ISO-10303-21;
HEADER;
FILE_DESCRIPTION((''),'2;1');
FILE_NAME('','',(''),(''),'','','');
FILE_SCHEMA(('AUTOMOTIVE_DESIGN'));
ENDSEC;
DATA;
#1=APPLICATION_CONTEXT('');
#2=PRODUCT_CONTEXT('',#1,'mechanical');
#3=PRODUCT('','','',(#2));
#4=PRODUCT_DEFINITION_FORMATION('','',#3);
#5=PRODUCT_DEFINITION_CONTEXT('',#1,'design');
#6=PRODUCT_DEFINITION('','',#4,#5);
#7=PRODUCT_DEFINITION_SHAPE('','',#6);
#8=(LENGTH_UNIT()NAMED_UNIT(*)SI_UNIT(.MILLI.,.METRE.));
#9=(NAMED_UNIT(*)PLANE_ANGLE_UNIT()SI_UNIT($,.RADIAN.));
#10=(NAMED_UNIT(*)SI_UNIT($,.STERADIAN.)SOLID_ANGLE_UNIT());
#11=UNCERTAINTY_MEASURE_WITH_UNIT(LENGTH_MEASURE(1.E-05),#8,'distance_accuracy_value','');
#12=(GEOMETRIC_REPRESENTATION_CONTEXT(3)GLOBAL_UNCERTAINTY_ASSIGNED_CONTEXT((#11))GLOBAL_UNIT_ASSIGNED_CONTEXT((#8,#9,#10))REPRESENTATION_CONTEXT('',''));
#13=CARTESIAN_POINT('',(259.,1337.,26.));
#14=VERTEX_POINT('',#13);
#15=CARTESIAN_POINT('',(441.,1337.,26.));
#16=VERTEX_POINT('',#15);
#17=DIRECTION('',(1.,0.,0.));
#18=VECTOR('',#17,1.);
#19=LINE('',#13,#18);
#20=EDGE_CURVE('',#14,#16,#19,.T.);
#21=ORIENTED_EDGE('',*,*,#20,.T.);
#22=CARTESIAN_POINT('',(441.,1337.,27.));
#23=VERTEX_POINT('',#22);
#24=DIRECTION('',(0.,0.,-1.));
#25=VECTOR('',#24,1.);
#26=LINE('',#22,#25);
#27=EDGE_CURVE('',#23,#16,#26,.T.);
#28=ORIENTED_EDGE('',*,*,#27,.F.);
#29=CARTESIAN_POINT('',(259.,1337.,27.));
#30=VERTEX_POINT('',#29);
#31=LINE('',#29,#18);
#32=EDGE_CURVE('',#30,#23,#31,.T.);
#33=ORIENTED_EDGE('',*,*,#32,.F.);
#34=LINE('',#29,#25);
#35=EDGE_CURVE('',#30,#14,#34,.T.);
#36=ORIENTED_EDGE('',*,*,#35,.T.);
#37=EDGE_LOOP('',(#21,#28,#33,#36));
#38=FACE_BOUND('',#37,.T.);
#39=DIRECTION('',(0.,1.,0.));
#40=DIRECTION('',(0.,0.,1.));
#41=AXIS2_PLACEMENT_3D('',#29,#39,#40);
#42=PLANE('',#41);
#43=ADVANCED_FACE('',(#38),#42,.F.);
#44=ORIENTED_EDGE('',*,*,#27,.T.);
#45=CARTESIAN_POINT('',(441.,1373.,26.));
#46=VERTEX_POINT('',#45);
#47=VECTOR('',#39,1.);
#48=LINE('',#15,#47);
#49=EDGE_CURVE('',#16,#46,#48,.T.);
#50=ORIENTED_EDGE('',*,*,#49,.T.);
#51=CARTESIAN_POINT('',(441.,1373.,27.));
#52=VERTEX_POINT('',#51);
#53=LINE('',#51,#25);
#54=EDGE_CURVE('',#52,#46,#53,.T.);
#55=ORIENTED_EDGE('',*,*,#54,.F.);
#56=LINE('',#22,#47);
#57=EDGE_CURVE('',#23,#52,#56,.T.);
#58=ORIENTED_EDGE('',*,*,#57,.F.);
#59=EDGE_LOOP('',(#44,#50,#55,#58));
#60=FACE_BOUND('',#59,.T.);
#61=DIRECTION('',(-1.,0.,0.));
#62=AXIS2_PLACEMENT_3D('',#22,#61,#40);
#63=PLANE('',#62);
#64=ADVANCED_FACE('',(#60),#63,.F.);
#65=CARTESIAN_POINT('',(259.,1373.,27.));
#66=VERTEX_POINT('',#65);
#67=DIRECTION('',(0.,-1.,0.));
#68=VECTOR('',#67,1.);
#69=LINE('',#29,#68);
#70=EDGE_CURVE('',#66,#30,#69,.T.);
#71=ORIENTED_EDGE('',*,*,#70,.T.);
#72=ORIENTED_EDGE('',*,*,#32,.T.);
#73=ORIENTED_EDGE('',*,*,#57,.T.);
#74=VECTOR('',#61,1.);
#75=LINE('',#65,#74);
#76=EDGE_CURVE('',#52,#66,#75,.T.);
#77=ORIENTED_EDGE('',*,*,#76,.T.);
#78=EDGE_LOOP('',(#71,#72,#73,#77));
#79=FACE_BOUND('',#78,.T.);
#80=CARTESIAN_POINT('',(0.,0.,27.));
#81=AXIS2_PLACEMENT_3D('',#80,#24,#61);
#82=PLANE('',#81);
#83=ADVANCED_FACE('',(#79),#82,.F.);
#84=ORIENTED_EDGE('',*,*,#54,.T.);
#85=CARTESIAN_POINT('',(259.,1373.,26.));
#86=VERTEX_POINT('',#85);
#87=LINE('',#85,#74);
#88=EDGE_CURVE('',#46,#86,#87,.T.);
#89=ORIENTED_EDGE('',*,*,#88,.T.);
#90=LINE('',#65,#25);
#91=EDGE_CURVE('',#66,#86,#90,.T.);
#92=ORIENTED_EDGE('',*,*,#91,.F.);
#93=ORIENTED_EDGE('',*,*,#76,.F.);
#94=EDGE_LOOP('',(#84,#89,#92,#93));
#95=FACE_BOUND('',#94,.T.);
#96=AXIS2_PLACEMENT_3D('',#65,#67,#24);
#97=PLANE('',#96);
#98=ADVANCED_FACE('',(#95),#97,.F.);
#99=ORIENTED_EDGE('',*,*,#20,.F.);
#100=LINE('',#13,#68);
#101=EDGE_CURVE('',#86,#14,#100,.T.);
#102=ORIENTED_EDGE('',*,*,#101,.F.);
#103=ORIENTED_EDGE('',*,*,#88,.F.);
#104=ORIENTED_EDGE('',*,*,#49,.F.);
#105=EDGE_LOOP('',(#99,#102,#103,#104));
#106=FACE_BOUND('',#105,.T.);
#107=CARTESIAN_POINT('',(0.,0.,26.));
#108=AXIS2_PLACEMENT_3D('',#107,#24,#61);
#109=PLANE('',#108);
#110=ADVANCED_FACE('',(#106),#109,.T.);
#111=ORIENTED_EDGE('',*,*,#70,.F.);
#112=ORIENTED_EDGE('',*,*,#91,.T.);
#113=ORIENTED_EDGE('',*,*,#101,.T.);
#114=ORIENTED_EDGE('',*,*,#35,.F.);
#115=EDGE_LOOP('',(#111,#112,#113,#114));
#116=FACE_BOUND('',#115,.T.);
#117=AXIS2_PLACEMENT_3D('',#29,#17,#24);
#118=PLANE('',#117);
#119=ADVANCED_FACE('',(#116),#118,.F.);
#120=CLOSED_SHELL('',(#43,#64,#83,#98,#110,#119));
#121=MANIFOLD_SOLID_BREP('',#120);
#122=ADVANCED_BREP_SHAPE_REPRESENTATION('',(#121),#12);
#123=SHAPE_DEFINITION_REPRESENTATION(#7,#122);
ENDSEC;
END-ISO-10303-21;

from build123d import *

# Parameters (mm, degrees)
TOPPING_KLAPE_KAT2_KULP_CUKURU_1_START = 26
SKETCH1_W                              = 182
SKETCH1_H                              = 36
TOPPING_KLAPE_KAT2_KULP_CUKURU_1_DEPTH = 1


with BuildPart() as part:
    # Sketch1 → TOPPING_klape_kat2_kulp_cukuru_1 (new body)
    with BuildSketch(Plane.XY.offset(TOPPING_KLAPE_KAT2_KULP_CUKURU_1_START)):
        with Locations((350, 1355)):
            Rectangle(SKETCH1_W, SKETCH1_H)
    extrude(amount=TOPPING_KLAPE_KAT2_KULP_CUKURU_1_DEPTH)


solid = part.part
